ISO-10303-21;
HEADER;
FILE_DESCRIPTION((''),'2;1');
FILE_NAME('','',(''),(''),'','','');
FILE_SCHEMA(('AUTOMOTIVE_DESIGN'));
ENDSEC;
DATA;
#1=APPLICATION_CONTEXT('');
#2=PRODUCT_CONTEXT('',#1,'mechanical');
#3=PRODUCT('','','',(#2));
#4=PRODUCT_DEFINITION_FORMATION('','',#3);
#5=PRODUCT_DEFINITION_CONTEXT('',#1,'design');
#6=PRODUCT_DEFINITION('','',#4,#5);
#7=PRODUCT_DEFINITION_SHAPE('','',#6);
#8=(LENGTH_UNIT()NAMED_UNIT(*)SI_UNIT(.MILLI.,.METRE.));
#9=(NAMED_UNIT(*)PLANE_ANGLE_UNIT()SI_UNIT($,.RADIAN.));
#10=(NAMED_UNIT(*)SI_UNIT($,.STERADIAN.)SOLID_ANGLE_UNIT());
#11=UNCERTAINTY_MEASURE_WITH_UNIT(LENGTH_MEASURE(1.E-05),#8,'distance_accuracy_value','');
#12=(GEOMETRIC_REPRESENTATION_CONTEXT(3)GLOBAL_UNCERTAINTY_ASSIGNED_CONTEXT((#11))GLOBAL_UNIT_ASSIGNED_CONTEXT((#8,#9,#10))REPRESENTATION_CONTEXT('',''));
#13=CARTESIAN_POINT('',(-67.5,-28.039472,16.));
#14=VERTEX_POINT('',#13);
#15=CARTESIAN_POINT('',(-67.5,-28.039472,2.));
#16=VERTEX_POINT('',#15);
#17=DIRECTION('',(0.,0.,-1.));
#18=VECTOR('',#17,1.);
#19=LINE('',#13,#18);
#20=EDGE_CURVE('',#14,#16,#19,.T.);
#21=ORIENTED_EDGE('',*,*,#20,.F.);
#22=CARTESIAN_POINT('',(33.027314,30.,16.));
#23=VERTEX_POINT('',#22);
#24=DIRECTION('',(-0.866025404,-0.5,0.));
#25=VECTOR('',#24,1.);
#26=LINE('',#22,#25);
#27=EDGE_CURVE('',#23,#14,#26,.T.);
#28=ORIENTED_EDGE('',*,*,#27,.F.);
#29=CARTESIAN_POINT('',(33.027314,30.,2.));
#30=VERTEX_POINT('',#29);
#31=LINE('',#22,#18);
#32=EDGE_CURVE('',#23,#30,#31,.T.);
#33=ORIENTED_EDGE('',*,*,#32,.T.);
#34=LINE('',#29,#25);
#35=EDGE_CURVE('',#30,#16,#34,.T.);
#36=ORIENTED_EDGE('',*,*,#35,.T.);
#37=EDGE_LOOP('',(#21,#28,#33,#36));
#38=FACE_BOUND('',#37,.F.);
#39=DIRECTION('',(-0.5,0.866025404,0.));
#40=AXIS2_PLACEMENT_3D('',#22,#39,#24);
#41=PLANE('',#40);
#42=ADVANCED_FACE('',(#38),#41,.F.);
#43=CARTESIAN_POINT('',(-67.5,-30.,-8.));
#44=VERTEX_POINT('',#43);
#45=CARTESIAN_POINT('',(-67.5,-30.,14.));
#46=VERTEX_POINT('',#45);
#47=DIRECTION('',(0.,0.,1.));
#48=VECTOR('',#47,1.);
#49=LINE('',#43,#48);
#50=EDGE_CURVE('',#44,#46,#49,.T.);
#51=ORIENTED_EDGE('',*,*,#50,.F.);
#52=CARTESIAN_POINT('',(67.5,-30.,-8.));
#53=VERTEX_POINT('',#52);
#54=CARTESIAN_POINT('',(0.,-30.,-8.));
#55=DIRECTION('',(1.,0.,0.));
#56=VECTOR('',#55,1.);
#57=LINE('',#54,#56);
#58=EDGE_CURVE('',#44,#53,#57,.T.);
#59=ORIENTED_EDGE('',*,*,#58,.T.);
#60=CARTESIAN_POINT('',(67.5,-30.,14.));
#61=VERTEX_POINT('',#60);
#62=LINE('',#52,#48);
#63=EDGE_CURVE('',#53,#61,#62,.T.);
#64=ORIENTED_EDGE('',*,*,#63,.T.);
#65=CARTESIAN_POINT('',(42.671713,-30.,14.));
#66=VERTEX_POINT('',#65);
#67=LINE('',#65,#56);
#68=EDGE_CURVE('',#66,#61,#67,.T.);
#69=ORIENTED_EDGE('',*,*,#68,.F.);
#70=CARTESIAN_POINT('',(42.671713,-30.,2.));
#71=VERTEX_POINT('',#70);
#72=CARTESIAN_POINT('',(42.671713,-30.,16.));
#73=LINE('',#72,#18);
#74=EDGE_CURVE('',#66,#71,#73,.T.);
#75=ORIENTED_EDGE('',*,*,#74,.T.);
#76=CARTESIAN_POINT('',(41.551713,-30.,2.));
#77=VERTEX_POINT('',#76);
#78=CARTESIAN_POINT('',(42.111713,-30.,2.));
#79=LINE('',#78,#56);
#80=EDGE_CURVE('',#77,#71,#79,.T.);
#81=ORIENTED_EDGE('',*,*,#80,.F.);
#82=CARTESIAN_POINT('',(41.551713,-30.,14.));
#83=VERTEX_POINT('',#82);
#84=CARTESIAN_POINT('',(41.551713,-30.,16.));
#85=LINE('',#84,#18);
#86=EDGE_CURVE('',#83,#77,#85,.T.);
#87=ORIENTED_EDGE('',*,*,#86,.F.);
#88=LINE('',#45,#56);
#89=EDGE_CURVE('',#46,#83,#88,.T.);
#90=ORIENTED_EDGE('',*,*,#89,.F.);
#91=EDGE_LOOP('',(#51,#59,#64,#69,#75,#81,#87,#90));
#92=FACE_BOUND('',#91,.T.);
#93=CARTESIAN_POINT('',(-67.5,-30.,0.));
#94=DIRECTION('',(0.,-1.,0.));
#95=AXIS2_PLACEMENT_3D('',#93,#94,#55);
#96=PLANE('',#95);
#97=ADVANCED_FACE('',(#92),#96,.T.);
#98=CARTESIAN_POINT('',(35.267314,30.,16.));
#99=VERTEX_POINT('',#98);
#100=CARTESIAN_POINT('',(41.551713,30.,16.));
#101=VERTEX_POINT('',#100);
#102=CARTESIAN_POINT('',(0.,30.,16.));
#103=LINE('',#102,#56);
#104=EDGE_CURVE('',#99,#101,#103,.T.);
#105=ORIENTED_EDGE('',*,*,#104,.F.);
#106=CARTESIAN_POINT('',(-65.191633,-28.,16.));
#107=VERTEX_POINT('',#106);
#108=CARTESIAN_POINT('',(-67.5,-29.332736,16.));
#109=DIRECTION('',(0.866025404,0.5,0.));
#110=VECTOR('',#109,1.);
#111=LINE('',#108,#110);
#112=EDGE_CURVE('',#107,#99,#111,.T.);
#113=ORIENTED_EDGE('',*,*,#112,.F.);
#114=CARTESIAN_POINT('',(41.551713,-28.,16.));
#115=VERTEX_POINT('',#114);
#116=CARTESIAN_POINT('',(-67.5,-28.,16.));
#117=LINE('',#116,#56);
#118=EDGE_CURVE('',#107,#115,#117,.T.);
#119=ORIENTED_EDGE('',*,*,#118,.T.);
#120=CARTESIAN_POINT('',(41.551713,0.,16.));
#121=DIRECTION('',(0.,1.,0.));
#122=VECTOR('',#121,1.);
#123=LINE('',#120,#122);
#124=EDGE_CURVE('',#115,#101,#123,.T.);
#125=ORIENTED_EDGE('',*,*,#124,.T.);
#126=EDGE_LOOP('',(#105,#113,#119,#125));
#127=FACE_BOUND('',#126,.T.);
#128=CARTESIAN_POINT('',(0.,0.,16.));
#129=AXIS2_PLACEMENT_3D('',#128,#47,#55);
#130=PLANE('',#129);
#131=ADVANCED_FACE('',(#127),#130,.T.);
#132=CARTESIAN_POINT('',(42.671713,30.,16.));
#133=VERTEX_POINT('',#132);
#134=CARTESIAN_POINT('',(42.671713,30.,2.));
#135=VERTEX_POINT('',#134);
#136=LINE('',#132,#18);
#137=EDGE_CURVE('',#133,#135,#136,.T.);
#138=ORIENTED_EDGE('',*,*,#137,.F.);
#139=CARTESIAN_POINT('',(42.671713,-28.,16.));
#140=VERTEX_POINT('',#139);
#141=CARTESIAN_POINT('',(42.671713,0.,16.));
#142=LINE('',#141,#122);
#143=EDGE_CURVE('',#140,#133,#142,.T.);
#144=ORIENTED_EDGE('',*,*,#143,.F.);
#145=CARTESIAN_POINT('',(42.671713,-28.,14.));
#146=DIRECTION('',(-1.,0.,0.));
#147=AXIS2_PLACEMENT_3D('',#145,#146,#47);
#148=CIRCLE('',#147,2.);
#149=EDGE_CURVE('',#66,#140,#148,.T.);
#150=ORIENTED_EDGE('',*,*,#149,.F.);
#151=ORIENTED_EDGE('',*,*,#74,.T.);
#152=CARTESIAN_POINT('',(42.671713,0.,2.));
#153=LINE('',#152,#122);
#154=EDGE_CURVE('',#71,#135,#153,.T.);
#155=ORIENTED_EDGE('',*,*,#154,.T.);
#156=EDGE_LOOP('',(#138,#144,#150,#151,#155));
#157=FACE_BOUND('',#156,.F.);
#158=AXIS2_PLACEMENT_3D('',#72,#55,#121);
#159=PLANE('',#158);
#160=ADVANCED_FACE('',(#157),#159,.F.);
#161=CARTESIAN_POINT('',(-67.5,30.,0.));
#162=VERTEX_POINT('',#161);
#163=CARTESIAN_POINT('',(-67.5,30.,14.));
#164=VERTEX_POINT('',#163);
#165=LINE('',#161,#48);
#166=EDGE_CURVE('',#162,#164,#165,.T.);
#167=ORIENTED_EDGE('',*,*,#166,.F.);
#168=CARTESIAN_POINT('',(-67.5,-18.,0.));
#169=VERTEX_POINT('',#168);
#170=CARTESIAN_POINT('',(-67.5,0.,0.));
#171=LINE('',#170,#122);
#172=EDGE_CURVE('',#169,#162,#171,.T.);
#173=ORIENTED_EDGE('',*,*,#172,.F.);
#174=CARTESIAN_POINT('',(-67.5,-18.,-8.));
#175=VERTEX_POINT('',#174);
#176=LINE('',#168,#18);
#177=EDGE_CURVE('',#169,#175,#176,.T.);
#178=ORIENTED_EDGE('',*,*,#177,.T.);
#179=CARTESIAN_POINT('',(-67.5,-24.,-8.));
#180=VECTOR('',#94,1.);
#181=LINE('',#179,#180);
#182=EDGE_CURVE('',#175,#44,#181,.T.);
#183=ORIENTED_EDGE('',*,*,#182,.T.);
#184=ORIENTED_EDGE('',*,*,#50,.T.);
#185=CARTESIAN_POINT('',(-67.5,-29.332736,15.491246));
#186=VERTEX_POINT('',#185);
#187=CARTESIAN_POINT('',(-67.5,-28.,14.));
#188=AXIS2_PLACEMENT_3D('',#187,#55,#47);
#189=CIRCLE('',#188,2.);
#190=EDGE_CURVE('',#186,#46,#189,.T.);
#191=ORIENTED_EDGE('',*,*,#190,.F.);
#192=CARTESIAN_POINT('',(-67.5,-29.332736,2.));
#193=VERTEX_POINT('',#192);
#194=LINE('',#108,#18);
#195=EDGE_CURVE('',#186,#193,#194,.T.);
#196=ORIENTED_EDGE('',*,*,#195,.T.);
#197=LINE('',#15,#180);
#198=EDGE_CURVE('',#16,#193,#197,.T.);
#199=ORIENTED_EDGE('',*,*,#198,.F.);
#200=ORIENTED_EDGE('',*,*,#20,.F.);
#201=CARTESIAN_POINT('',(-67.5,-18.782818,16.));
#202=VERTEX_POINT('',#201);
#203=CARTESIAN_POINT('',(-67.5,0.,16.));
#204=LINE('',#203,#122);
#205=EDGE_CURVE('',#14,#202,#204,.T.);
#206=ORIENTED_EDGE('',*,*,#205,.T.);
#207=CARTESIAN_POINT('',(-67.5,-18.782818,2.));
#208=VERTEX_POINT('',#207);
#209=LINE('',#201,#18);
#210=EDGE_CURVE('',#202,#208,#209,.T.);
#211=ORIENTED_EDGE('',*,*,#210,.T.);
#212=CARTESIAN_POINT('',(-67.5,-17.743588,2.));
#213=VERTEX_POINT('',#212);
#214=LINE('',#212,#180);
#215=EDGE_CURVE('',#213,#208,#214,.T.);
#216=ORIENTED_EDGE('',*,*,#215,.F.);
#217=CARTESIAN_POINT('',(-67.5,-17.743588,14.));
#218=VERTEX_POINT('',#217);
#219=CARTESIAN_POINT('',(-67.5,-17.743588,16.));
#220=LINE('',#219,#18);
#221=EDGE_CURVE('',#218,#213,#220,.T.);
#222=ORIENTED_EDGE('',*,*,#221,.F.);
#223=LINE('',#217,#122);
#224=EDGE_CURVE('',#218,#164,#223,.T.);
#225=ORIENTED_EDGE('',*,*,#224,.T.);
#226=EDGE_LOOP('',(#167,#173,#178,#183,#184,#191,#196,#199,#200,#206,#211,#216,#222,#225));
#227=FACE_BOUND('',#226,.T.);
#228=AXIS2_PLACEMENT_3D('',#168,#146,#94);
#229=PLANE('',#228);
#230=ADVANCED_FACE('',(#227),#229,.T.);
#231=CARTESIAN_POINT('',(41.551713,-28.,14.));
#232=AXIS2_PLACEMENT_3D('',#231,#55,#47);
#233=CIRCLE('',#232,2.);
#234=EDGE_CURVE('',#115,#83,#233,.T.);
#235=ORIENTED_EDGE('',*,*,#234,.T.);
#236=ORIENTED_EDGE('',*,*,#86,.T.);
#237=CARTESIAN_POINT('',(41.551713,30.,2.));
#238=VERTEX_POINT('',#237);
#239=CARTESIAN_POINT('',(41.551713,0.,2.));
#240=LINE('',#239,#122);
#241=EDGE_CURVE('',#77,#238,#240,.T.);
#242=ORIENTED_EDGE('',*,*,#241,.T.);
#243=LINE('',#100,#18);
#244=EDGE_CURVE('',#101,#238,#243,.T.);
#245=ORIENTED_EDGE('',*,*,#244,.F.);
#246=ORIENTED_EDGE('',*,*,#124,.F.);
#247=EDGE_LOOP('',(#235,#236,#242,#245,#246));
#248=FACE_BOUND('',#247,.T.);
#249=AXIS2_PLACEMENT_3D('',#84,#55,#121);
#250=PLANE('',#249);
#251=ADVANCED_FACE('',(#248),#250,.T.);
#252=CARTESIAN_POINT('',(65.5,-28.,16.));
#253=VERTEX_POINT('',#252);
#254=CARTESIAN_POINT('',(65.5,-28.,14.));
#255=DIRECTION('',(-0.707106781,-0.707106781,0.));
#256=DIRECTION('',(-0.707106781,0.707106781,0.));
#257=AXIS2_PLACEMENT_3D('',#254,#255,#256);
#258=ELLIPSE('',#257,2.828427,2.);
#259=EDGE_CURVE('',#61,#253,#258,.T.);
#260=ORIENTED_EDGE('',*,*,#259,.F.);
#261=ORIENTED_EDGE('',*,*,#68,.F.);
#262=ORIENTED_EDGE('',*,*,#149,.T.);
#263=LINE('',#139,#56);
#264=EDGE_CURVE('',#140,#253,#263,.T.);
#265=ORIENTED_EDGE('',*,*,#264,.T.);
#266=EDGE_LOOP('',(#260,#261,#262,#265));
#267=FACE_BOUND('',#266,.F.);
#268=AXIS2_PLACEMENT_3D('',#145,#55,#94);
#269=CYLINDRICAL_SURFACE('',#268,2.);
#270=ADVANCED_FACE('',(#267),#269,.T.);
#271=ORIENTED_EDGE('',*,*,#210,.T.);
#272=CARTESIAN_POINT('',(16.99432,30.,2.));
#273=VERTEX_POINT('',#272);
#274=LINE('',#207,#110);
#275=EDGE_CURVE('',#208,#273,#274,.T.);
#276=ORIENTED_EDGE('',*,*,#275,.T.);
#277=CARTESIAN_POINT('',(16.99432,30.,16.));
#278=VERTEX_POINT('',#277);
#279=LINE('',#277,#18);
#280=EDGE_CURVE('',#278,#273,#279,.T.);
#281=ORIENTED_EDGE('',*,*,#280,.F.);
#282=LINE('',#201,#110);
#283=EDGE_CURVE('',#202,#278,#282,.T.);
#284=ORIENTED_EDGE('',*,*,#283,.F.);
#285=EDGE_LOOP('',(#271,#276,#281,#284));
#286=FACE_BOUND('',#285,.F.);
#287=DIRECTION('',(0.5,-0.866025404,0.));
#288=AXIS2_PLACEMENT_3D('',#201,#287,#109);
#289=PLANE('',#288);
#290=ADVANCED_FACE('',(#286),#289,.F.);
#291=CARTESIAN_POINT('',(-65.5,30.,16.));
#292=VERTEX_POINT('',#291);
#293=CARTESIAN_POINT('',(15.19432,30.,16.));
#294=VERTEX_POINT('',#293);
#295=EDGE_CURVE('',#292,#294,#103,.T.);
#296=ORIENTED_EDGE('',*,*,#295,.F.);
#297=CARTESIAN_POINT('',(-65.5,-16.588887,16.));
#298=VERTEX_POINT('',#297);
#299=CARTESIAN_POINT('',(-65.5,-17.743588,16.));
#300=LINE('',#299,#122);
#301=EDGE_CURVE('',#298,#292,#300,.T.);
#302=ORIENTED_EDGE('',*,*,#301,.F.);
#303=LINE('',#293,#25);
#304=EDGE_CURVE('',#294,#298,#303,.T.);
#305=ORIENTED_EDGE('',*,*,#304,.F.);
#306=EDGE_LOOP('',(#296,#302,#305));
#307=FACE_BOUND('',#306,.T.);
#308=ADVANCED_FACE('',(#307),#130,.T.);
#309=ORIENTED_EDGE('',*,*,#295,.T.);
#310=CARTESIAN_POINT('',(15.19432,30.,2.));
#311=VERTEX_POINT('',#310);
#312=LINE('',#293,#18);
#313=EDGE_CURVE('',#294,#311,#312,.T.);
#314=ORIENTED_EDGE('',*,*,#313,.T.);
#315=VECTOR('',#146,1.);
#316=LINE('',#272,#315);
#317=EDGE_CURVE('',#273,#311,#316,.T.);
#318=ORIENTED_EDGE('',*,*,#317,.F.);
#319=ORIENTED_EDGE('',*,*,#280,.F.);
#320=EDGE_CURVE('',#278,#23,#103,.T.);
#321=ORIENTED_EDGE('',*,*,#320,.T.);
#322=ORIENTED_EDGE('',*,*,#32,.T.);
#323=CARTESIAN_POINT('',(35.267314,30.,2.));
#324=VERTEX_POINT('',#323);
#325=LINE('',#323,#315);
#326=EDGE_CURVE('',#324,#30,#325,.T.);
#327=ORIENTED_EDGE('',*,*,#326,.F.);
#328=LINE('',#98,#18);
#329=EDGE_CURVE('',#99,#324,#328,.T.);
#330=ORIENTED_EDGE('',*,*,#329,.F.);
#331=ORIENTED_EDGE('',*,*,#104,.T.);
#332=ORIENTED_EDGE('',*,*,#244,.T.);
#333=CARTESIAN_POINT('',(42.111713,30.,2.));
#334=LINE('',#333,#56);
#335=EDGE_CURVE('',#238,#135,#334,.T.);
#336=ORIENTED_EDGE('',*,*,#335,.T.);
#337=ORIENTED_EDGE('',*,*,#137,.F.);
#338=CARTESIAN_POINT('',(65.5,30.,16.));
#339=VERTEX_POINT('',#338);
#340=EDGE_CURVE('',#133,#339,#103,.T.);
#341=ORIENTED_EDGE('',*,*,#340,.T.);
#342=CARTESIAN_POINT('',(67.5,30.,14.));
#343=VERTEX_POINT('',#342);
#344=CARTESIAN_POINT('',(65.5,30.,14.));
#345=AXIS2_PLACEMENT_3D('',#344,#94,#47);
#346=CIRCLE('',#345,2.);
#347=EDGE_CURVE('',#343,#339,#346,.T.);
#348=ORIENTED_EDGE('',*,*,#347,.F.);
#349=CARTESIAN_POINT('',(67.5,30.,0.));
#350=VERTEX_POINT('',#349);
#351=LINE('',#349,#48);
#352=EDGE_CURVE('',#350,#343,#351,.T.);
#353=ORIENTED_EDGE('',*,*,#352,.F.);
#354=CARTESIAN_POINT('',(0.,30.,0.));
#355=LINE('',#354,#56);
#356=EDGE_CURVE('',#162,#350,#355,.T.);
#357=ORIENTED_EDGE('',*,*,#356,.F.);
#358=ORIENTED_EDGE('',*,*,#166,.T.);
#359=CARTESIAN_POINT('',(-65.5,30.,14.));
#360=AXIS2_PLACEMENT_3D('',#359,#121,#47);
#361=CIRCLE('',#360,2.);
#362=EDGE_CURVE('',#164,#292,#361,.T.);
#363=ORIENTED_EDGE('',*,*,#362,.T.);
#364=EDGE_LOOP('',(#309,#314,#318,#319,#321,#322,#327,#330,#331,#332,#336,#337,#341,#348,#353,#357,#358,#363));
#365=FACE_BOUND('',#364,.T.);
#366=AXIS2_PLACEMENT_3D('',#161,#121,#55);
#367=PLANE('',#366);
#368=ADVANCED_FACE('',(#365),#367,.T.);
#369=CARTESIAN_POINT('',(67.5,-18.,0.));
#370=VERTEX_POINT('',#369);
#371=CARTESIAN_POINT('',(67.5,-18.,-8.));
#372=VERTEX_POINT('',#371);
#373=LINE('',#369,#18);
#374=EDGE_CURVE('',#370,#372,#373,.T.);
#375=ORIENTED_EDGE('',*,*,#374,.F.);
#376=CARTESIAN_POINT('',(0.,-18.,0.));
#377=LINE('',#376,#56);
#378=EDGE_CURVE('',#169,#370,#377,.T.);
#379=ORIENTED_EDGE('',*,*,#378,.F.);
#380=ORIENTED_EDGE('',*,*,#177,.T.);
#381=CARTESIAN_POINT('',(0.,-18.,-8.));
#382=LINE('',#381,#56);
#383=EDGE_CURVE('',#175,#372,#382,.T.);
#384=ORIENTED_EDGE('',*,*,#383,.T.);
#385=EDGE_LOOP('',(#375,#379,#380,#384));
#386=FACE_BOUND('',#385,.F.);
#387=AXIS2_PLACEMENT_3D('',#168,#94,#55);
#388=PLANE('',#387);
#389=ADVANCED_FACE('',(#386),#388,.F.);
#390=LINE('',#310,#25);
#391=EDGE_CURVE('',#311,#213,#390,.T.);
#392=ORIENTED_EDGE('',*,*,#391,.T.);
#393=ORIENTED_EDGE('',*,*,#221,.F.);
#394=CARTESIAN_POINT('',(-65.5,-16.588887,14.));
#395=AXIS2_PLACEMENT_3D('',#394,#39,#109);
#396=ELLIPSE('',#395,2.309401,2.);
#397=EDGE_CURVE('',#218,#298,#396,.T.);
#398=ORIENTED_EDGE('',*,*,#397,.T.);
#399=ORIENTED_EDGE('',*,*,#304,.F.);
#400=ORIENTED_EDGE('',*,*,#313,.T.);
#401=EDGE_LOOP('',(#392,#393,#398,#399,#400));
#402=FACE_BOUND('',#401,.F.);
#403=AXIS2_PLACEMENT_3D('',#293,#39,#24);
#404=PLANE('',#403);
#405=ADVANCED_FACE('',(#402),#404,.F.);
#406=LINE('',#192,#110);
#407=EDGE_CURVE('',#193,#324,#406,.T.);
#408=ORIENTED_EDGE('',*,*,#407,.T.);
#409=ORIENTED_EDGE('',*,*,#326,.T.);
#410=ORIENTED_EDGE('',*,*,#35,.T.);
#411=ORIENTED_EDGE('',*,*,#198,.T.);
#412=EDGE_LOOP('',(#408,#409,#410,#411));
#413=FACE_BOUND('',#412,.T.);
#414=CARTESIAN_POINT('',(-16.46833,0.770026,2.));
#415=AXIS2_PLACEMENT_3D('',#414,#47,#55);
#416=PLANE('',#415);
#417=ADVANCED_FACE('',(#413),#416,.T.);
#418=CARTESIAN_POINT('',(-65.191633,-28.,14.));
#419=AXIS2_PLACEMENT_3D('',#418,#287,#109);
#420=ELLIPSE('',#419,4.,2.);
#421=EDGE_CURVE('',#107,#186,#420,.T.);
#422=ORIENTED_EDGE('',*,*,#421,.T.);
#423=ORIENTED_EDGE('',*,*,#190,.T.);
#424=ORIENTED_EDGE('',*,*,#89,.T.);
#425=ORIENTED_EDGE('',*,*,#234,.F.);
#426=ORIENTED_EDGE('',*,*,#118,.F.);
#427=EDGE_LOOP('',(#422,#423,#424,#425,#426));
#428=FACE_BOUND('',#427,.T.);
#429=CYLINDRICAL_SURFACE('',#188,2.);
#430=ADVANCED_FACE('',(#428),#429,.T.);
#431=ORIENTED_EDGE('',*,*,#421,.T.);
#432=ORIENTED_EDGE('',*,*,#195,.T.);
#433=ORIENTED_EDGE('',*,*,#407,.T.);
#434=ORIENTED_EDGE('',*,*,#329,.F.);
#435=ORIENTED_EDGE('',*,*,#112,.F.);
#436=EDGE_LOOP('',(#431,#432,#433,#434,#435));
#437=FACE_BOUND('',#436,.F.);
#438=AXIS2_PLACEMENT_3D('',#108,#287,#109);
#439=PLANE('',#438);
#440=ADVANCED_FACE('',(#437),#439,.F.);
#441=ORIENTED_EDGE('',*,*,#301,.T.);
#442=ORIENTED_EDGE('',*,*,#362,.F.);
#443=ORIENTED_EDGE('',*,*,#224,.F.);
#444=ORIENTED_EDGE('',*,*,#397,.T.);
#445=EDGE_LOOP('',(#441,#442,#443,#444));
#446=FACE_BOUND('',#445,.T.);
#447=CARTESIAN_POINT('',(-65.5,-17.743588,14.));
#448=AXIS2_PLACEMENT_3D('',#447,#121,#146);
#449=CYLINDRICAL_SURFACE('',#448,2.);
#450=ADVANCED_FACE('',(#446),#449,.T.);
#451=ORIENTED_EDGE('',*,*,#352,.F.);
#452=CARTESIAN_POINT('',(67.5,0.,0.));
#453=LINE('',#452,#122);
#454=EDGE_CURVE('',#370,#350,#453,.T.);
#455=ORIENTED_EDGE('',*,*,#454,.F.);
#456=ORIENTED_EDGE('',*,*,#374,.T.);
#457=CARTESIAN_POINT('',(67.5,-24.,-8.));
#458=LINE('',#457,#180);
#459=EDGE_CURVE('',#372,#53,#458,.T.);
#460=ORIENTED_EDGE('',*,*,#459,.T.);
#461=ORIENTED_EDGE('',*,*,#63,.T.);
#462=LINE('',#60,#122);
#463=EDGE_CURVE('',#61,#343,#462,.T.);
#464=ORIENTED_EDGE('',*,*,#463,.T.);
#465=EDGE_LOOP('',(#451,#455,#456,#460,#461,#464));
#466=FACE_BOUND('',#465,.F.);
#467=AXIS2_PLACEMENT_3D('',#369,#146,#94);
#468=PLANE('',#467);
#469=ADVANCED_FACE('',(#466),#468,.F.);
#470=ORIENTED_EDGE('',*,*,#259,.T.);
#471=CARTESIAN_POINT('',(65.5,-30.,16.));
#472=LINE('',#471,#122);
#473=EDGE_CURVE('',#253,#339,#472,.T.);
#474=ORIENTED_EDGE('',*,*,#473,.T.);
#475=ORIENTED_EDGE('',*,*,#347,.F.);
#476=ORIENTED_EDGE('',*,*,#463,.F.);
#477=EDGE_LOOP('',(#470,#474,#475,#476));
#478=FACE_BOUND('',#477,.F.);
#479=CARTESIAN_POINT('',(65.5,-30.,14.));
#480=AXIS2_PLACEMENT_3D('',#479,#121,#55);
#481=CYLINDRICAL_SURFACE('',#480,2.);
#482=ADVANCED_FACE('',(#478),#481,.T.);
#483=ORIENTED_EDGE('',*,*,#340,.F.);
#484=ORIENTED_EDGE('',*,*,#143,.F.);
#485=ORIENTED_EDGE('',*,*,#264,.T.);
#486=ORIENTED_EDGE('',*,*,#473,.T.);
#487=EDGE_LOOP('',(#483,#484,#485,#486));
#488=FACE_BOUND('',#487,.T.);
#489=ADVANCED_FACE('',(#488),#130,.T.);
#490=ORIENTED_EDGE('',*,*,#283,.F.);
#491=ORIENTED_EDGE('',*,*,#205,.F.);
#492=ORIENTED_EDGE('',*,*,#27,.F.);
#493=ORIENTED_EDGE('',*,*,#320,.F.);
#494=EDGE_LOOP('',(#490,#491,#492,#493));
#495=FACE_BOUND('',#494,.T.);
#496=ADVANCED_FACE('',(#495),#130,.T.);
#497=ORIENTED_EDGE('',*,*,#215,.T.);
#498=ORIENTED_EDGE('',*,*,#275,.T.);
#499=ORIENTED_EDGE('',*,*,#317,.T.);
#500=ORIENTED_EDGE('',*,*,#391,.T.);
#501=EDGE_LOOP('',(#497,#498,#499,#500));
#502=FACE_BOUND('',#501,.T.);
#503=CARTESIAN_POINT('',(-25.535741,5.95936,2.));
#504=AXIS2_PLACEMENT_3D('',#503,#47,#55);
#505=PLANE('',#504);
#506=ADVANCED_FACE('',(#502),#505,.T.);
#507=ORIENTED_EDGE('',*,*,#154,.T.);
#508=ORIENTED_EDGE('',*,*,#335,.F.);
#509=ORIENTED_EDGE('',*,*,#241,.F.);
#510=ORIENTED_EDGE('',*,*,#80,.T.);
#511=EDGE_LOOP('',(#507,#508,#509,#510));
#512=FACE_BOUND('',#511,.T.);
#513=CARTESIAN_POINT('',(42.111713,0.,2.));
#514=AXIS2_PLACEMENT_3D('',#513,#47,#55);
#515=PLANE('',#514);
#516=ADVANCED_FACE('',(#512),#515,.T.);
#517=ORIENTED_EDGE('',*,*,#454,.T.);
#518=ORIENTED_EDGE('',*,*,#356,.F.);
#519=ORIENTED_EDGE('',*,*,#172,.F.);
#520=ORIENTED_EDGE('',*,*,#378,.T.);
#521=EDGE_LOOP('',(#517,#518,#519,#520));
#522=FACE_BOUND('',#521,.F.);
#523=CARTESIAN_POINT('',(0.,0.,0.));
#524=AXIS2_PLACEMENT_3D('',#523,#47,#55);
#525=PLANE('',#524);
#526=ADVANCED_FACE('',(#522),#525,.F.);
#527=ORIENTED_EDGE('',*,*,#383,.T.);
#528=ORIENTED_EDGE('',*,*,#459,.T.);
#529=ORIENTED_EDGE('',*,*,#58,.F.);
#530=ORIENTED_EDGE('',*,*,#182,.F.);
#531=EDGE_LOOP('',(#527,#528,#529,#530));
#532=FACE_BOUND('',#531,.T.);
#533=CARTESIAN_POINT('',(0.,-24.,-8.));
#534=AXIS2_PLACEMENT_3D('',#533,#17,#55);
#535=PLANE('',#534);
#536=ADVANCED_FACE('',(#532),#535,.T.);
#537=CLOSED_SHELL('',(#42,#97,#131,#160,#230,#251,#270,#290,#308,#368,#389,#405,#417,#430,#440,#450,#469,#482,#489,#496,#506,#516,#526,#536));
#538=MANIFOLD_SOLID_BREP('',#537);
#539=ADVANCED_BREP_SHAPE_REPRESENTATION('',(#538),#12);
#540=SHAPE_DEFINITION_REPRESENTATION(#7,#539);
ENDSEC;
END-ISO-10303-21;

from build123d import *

# Parameters (mm, degrees)
F0_W     = 135
F0_H     = 60
F1_DEPTH = 16
F2_W     = 1.12
F2_H     = 60
F3_DEPTH = 14
F4_R     = 2
F5_W     = 135
F5_H     = 12
F6_DEPTH = 8


with BuildPart() as f1:
    # F0 (on Top) → F1 (new body)
    with BuildSketch(Plane.XY):
        Rectangle(F0_W, F0_H)
    extrude(amount=F1_DEPTH)

    # F2 (on face) → F3 (cut)
    with BuildSketch(Plane.XY.offset(16)):
        Polygon((16.9943201199, 30), (15.1943201199, 30), (-67.5, -17.7435879817), (-67.5, -18.7828184662), align=None)
        Polygon((35.2673136497, 30), (33.0273136497, 30), (-67.5, -28.0394715965), (-67.5, -29.3327361995), align=None)
        with Locations((42.1117129004, 0)):
            Rectangle(F2_W, F2_H)
    extrude(amount=-F3_DEPTH, mode=Mode.SUBTRACT)

    # F4
    f4_edges = [f1.edges().sort_by_distance(p)[0] for p in [
        (-12.974144, -30, 16),
        (-67.5, 6.128206, 16),
        (67.5, 0, 16),
        (55.085856, -30, 16),
    ]]
    fillet(f4_edges, radius=F4_R)

    # F5 (on face) → F6 (join)
    with BuildSketch(Plane(origin=(0, 0, 0), x_dir=(1, 0, 0), z_dir=(0, 0, -1))):
        with Locations((0, 24)):
            Rectangle(F5_W, F5_H)
    extrude(amount=F6_DEPTH)


solid = f1.part
